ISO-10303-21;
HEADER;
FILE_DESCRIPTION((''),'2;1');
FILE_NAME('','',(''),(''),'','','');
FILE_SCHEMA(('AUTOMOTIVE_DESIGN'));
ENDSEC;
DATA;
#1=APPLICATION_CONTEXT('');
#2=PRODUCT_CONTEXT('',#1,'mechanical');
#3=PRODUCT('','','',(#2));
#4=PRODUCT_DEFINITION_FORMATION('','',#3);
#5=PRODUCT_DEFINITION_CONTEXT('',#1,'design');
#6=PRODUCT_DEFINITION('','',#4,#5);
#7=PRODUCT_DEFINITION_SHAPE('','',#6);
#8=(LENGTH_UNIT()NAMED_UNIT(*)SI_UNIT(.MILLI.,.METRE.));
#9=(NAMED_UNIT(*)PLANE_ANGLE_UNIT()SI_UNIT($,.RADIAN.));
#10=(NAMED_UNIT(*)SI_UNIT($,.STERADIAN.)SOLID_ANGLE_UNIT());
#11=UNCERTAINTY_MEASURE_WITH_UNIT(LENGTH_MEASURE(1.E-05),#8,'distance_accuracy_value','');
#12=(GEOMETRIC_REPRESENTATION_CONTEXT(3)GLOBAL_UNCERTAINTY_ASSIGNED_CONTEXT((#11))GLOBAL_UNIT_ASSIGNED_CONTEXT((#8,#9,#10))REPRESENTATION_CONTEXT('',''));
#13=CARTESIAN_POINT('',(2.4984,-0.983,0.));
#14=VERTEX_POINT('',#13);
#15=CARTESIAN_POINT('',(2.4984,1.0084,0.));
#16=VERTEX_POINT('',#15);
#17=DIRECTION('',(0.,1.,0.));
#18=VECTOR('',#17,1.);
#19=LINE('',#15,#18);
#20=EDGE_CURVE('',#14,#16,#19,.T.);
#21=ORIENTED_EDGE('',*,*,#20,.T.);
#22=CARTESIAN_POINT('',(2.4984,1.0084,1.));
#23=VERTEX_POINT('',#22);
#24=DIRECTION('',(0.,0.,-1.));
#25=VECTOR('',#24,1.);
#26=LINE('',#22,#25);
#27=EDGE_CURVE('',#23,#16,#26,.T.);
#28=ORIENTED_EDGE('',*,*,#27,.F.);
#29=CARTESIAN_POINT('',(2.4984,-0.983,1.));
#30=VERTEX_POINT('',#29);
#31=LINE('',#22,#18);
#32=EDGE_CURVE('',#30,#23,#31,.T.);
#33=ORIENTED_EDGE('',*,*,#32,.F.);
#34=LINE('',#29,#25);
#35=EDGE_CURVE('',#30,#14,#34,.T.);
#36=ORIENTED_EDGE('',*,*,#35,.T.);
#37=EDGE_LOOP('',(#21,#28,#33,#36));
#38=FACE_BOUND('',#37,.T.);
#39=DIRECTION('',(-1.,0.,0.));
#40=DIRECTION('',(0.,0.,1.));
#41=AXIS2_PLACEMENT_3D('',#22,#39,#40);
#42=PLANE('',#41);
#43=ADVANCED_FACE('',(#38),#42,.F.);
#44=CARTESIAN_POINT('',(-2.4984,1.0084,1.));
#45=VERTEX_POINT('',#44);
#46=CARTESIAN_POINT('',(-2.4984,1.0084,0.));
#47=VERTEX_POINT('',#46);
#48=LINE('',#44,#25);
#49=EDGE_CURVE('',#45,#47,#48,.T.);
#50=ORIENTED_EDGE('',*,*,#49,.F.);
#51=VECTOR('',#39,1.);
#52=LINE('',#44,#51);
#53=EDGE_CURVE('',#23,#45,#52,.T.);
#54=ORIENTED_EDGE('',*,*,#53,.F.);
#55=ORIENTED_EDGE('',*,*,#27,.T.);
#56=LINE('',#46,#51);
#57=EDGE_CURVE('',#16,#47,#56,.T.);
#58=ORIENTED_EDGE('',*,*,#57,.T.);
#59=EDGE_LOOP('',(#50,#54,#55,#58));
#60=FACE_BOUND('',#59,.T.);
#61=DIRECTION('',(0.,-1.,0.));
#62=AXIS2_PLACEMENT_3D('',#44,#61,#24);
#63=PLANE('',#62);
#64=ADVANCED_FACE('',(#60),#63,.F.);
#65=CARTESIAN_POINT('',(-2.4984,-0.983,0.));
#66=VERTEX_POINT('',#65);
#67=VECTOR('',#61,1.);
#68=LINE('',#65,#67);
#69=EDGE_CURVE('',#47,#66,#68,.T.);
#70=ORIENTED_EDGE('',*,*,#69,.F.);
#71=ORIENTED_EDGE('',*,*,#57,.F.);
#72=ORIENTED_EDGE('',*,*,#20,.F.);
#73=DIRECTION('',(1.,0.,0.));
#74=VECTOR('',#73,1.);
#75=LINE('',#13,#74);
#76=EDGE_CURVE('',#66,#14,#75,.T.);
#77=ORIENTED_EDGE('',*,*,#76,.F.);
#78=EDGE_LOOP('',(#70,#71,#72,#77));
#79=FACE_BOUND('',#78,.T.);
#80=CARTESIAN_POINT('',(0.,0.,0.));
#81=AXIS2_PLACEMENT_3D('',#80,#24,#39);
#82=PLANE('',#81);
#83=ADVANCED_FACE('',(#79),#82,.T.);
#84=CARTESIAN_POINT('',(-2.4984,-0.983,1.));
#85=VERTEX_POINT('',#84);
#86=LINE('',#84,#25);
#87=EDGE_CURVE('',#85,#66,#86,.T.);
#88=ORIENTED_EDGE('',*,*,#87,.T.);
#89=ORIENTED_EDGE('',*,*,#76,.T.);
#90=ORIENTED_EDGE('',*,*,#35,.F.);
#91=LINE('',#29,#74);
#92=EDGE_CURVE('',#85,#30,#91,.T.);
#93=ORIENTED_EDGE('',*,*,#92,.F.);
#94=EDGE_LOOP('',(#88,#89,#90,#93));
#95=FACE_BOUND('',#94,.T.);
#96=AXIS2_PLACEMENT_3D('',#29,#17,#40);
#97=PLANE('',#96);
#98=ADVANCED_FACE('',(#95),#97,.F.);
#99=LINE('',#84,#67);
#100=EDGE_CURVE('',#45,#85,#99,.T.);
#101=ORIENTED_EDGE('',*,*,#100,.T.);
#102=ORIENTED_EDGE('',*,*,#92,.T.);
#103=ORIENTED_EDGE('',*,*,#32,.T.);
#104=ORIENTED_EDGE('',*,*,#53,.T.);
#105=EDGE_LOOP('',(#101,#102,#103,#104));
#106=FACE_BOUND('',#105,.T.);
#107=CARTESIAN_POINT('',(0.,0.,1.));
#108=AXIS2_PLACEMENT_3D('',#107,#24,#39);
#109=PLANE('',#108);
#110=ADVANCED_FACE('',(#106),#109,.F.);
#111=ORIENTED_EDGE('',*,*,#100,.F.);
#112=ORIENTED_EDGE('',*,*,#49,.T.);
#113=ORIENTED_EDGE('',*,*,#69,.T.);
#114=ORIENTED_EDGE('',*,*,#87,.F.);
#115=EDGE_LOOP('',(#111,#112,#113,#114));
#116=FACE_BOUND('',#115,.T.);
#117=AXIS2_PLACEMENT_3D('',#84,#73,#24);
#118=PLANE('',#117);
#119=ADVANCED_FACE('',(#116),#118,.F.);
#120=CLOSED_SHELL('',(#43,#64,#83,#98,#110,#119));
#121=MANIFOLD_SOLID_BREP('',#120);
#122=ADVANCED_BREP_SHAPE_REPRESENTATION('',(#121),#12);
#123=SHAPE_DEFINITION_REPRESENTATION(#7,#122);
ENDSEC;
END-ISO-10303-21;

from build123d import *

# Parameters (mm, degrees)
SKETCH1_W               = 4.9968
SKETCH1_H               = 1.9914
COMPONENT_OUTLINE_DEPTH = 1


with BuildPart() as part:
    # Sketch1 → Component_Outline (new body)
    with BuildSketch(Plane.XY):
        with Locations((0, 0.0127)):
            Rectangle(SKETCH1_W, SKETCH1_H)
    extrude(amount=COMPONENT_OUTLINE_DEPTH)


solid = part.part
